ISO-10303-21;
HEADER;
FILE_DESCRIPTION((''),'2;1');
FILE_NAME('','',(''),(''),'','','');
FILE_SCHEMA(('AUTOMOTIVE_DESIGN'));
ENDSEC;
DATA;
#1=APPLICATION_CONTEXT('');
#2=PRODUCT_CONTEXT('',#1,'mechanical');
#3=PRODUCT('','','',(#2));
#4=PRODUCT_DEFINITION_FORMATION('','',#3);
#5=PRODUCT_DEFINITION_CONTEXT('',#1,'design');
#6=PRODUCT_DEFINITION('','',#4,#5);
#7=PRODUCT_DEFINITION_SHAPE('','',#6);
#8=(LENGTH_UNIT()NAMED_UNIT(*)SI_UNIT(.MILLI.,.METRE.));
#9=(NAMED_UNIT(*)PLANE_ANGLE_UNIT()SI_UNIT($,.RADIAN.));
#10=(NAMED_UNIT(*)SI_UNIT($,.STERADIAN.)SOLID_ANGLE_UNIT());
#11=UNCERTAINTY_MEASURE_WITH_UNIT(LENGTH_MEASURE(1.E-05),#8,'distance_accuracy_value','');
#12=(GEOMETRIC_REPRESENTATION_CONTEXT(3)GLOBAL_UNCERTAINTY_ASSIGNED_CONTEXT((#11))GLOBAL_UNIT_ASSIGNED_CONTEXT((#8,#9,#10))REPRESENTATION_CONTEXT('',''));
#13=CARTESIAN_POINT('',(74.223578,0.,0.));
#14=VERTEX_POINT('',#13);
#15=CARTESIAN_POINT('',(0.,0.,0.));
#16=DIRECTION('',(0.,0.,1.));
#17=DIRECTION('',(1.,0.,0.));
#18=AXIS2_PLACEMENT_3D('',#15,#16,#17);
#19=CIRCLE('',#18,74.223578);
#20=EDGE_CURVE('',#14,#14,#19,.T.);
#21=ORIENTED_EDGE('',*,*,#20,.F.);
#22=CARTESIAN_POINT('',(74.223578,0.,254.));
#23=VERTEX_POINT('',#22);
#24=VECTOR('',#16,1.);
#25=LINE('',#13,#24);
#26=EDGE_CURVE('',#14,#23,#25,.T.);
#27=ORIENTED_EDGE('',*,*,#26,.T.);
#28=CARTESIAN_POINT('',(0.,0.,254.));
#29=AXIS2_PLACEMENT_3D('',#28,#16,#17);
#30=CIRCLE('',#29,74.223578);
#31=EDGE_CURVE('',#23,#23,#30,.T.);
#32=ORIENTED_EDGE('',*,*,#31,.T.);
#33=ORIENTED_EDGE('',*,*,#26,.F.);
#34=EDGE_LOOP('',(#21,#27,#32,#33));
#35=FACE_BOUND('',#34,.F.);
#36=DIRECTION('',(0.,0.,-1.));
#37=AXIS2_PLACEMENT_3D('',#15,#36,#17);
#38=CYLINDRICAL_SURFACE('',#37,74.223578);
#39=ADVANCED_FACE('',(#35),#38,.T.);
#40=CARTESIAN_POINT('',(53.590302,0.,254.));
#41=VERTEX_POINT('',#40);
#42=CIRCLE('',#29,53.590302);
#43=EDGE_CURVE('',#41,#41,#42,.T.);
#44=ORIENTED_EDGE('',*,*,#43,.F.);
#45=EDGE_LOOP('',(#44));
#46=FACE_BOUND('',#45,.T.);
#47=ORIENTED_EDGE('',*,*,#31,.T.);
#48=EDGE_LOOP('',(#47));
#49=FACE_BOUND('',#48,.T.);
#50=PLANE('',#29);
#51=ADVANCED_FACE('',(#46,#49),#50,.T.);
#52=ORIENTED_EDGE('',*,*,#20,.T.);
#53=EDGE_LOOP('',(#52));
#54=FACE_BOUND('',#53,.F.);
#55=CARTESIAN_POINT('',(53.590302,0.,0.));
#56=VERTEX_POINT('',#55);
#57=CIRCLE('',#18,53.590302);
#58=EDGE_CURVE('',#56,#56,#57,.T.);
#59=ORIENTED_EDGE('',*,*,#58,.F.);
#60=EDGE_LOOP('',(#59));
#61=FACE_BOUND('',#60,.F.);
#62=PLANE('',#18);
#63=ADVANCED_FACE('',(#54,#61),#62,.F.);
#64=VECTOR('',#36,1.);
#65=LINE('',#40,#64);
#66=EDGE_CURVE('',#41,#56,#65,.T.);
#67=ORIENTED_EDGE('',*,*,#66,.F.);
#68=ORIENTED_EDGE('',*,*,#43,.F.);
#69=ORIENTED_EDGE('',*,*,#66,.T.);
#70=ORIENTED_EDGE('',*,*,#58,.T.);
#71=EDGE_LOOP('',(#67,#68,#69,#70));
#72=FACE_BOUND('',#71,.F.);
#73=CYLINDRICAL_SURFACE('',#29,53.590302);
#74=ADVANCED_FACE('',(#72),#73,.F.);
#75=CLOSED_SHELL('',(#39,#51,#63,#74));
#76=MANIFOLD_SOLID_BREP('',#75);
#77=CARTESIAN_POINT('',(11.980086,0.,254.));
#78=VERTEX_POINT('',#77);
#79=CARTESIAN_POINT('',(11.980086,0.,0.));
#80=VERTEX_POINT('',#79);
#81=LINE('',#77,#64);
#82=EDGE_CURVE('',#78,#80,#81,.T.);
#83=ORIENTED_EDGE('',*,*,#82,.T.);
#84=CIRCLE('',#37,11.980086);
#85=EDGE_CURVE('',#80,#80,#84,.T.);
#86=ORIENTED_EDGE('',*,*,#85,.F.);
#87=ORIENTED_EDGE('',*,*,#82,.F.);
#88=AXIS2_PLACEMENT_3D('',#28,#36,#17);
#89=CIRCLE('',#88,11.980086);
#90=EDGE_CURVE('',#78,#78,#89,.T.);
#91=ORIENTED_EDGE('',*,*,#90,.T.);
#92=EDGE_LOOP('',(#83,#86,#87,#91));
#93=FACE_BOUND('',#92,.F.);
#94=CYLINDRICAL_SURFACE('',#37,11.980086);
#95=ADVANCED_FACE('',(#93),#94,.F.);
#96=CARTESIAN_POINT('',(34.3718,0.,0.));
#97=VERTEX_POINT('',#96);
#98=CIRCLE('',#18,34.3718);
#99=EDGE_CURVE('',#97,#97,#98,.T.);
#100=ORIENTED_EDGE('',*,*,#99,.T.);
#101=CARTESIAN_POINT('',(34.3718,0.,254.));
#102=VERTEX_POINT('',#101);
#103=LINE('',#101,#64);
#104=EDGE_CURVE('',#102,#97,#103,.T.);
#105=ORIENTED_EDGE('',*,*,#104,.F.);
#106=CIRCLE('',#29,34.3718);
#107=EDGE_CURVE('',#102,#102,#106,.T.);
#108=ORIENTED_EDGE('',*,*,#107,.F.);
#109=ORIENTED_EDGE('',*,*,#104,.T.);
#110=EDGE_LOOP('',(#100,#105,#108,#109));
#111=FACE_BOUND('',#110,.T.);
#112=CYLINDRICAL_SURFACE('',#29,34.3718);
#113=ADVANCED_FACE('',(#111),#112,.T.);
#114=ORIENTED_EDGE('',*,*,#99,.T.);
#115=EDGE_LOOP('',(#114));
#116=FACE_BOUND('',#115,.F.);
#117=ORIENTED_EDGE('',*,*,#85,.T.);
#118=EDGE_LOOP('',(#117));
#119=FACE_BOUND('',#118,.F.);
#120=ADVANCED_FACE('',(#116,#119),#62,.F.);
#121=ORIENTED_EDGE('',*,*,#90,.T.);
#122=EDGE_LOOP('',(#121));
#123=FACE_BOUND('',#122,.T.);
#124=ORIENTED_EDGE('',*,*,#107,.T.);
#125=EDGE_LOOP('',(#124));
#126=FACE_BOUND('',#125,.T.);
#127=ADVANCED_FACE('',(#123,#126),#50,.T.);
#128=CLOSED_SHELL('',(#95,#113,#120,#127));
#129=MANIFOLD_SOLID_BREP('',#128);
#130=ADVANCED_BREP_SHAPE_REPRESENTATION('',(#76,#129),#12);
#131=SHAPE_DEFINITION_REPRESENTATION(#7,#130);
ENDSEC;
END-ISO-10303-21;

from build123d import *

# Parameters (mm, degrees)
F0_R      = 74.223578
F1_DEPTH  = 254
F2_R      = 11.980086
F3_DEPTH  = 25.4
F3_FACE_R = 11.980086
F4_DEPTH  = 228.6
F5_R      = 53.590302
F5_R_2    = 34.3718
F6_DEPTH  = 254


with BuildPart() as f1:
    # F0 (on Top) → F1 (new body)
    with BuildSketch(Plane.XY):
        Circle(F0_R)
    extrude(amount=F1_DEPTH)

    # F2 (on face) → F3 (cut)
    with BuildSketch(Plane(origin=(0, 0, 0), x_dir=(1, 0, 0), z_dir=(0, 0, -1))):
        Circle(F2_R)
    extrude(amount=-F3_DEPTH, mode=Mode.SUBTRACT)

    # F3_face (on face) → F4 (cut)
    with BuildSketch(Plane(origin=(0, 0, 25.4), x_dir=(1, 0, 0), z_dir=(0, 0, -1))):
        Circle(F3_FACE_R)
    extrude(amount=-F4_DEPTH, mode=Mode.SUBTRACT)

    # F5 (on face) → F6 (cut)
    with BuildSketch(Plane.XY.offset(254)):
        Circle(F5_R)
        Circle(F5_R_2, mode=Mode.SUBTRACT)
    extrude(amount=-F6_DEPTH, mode=Mode.SUBTRACT)


solid = f1.part
